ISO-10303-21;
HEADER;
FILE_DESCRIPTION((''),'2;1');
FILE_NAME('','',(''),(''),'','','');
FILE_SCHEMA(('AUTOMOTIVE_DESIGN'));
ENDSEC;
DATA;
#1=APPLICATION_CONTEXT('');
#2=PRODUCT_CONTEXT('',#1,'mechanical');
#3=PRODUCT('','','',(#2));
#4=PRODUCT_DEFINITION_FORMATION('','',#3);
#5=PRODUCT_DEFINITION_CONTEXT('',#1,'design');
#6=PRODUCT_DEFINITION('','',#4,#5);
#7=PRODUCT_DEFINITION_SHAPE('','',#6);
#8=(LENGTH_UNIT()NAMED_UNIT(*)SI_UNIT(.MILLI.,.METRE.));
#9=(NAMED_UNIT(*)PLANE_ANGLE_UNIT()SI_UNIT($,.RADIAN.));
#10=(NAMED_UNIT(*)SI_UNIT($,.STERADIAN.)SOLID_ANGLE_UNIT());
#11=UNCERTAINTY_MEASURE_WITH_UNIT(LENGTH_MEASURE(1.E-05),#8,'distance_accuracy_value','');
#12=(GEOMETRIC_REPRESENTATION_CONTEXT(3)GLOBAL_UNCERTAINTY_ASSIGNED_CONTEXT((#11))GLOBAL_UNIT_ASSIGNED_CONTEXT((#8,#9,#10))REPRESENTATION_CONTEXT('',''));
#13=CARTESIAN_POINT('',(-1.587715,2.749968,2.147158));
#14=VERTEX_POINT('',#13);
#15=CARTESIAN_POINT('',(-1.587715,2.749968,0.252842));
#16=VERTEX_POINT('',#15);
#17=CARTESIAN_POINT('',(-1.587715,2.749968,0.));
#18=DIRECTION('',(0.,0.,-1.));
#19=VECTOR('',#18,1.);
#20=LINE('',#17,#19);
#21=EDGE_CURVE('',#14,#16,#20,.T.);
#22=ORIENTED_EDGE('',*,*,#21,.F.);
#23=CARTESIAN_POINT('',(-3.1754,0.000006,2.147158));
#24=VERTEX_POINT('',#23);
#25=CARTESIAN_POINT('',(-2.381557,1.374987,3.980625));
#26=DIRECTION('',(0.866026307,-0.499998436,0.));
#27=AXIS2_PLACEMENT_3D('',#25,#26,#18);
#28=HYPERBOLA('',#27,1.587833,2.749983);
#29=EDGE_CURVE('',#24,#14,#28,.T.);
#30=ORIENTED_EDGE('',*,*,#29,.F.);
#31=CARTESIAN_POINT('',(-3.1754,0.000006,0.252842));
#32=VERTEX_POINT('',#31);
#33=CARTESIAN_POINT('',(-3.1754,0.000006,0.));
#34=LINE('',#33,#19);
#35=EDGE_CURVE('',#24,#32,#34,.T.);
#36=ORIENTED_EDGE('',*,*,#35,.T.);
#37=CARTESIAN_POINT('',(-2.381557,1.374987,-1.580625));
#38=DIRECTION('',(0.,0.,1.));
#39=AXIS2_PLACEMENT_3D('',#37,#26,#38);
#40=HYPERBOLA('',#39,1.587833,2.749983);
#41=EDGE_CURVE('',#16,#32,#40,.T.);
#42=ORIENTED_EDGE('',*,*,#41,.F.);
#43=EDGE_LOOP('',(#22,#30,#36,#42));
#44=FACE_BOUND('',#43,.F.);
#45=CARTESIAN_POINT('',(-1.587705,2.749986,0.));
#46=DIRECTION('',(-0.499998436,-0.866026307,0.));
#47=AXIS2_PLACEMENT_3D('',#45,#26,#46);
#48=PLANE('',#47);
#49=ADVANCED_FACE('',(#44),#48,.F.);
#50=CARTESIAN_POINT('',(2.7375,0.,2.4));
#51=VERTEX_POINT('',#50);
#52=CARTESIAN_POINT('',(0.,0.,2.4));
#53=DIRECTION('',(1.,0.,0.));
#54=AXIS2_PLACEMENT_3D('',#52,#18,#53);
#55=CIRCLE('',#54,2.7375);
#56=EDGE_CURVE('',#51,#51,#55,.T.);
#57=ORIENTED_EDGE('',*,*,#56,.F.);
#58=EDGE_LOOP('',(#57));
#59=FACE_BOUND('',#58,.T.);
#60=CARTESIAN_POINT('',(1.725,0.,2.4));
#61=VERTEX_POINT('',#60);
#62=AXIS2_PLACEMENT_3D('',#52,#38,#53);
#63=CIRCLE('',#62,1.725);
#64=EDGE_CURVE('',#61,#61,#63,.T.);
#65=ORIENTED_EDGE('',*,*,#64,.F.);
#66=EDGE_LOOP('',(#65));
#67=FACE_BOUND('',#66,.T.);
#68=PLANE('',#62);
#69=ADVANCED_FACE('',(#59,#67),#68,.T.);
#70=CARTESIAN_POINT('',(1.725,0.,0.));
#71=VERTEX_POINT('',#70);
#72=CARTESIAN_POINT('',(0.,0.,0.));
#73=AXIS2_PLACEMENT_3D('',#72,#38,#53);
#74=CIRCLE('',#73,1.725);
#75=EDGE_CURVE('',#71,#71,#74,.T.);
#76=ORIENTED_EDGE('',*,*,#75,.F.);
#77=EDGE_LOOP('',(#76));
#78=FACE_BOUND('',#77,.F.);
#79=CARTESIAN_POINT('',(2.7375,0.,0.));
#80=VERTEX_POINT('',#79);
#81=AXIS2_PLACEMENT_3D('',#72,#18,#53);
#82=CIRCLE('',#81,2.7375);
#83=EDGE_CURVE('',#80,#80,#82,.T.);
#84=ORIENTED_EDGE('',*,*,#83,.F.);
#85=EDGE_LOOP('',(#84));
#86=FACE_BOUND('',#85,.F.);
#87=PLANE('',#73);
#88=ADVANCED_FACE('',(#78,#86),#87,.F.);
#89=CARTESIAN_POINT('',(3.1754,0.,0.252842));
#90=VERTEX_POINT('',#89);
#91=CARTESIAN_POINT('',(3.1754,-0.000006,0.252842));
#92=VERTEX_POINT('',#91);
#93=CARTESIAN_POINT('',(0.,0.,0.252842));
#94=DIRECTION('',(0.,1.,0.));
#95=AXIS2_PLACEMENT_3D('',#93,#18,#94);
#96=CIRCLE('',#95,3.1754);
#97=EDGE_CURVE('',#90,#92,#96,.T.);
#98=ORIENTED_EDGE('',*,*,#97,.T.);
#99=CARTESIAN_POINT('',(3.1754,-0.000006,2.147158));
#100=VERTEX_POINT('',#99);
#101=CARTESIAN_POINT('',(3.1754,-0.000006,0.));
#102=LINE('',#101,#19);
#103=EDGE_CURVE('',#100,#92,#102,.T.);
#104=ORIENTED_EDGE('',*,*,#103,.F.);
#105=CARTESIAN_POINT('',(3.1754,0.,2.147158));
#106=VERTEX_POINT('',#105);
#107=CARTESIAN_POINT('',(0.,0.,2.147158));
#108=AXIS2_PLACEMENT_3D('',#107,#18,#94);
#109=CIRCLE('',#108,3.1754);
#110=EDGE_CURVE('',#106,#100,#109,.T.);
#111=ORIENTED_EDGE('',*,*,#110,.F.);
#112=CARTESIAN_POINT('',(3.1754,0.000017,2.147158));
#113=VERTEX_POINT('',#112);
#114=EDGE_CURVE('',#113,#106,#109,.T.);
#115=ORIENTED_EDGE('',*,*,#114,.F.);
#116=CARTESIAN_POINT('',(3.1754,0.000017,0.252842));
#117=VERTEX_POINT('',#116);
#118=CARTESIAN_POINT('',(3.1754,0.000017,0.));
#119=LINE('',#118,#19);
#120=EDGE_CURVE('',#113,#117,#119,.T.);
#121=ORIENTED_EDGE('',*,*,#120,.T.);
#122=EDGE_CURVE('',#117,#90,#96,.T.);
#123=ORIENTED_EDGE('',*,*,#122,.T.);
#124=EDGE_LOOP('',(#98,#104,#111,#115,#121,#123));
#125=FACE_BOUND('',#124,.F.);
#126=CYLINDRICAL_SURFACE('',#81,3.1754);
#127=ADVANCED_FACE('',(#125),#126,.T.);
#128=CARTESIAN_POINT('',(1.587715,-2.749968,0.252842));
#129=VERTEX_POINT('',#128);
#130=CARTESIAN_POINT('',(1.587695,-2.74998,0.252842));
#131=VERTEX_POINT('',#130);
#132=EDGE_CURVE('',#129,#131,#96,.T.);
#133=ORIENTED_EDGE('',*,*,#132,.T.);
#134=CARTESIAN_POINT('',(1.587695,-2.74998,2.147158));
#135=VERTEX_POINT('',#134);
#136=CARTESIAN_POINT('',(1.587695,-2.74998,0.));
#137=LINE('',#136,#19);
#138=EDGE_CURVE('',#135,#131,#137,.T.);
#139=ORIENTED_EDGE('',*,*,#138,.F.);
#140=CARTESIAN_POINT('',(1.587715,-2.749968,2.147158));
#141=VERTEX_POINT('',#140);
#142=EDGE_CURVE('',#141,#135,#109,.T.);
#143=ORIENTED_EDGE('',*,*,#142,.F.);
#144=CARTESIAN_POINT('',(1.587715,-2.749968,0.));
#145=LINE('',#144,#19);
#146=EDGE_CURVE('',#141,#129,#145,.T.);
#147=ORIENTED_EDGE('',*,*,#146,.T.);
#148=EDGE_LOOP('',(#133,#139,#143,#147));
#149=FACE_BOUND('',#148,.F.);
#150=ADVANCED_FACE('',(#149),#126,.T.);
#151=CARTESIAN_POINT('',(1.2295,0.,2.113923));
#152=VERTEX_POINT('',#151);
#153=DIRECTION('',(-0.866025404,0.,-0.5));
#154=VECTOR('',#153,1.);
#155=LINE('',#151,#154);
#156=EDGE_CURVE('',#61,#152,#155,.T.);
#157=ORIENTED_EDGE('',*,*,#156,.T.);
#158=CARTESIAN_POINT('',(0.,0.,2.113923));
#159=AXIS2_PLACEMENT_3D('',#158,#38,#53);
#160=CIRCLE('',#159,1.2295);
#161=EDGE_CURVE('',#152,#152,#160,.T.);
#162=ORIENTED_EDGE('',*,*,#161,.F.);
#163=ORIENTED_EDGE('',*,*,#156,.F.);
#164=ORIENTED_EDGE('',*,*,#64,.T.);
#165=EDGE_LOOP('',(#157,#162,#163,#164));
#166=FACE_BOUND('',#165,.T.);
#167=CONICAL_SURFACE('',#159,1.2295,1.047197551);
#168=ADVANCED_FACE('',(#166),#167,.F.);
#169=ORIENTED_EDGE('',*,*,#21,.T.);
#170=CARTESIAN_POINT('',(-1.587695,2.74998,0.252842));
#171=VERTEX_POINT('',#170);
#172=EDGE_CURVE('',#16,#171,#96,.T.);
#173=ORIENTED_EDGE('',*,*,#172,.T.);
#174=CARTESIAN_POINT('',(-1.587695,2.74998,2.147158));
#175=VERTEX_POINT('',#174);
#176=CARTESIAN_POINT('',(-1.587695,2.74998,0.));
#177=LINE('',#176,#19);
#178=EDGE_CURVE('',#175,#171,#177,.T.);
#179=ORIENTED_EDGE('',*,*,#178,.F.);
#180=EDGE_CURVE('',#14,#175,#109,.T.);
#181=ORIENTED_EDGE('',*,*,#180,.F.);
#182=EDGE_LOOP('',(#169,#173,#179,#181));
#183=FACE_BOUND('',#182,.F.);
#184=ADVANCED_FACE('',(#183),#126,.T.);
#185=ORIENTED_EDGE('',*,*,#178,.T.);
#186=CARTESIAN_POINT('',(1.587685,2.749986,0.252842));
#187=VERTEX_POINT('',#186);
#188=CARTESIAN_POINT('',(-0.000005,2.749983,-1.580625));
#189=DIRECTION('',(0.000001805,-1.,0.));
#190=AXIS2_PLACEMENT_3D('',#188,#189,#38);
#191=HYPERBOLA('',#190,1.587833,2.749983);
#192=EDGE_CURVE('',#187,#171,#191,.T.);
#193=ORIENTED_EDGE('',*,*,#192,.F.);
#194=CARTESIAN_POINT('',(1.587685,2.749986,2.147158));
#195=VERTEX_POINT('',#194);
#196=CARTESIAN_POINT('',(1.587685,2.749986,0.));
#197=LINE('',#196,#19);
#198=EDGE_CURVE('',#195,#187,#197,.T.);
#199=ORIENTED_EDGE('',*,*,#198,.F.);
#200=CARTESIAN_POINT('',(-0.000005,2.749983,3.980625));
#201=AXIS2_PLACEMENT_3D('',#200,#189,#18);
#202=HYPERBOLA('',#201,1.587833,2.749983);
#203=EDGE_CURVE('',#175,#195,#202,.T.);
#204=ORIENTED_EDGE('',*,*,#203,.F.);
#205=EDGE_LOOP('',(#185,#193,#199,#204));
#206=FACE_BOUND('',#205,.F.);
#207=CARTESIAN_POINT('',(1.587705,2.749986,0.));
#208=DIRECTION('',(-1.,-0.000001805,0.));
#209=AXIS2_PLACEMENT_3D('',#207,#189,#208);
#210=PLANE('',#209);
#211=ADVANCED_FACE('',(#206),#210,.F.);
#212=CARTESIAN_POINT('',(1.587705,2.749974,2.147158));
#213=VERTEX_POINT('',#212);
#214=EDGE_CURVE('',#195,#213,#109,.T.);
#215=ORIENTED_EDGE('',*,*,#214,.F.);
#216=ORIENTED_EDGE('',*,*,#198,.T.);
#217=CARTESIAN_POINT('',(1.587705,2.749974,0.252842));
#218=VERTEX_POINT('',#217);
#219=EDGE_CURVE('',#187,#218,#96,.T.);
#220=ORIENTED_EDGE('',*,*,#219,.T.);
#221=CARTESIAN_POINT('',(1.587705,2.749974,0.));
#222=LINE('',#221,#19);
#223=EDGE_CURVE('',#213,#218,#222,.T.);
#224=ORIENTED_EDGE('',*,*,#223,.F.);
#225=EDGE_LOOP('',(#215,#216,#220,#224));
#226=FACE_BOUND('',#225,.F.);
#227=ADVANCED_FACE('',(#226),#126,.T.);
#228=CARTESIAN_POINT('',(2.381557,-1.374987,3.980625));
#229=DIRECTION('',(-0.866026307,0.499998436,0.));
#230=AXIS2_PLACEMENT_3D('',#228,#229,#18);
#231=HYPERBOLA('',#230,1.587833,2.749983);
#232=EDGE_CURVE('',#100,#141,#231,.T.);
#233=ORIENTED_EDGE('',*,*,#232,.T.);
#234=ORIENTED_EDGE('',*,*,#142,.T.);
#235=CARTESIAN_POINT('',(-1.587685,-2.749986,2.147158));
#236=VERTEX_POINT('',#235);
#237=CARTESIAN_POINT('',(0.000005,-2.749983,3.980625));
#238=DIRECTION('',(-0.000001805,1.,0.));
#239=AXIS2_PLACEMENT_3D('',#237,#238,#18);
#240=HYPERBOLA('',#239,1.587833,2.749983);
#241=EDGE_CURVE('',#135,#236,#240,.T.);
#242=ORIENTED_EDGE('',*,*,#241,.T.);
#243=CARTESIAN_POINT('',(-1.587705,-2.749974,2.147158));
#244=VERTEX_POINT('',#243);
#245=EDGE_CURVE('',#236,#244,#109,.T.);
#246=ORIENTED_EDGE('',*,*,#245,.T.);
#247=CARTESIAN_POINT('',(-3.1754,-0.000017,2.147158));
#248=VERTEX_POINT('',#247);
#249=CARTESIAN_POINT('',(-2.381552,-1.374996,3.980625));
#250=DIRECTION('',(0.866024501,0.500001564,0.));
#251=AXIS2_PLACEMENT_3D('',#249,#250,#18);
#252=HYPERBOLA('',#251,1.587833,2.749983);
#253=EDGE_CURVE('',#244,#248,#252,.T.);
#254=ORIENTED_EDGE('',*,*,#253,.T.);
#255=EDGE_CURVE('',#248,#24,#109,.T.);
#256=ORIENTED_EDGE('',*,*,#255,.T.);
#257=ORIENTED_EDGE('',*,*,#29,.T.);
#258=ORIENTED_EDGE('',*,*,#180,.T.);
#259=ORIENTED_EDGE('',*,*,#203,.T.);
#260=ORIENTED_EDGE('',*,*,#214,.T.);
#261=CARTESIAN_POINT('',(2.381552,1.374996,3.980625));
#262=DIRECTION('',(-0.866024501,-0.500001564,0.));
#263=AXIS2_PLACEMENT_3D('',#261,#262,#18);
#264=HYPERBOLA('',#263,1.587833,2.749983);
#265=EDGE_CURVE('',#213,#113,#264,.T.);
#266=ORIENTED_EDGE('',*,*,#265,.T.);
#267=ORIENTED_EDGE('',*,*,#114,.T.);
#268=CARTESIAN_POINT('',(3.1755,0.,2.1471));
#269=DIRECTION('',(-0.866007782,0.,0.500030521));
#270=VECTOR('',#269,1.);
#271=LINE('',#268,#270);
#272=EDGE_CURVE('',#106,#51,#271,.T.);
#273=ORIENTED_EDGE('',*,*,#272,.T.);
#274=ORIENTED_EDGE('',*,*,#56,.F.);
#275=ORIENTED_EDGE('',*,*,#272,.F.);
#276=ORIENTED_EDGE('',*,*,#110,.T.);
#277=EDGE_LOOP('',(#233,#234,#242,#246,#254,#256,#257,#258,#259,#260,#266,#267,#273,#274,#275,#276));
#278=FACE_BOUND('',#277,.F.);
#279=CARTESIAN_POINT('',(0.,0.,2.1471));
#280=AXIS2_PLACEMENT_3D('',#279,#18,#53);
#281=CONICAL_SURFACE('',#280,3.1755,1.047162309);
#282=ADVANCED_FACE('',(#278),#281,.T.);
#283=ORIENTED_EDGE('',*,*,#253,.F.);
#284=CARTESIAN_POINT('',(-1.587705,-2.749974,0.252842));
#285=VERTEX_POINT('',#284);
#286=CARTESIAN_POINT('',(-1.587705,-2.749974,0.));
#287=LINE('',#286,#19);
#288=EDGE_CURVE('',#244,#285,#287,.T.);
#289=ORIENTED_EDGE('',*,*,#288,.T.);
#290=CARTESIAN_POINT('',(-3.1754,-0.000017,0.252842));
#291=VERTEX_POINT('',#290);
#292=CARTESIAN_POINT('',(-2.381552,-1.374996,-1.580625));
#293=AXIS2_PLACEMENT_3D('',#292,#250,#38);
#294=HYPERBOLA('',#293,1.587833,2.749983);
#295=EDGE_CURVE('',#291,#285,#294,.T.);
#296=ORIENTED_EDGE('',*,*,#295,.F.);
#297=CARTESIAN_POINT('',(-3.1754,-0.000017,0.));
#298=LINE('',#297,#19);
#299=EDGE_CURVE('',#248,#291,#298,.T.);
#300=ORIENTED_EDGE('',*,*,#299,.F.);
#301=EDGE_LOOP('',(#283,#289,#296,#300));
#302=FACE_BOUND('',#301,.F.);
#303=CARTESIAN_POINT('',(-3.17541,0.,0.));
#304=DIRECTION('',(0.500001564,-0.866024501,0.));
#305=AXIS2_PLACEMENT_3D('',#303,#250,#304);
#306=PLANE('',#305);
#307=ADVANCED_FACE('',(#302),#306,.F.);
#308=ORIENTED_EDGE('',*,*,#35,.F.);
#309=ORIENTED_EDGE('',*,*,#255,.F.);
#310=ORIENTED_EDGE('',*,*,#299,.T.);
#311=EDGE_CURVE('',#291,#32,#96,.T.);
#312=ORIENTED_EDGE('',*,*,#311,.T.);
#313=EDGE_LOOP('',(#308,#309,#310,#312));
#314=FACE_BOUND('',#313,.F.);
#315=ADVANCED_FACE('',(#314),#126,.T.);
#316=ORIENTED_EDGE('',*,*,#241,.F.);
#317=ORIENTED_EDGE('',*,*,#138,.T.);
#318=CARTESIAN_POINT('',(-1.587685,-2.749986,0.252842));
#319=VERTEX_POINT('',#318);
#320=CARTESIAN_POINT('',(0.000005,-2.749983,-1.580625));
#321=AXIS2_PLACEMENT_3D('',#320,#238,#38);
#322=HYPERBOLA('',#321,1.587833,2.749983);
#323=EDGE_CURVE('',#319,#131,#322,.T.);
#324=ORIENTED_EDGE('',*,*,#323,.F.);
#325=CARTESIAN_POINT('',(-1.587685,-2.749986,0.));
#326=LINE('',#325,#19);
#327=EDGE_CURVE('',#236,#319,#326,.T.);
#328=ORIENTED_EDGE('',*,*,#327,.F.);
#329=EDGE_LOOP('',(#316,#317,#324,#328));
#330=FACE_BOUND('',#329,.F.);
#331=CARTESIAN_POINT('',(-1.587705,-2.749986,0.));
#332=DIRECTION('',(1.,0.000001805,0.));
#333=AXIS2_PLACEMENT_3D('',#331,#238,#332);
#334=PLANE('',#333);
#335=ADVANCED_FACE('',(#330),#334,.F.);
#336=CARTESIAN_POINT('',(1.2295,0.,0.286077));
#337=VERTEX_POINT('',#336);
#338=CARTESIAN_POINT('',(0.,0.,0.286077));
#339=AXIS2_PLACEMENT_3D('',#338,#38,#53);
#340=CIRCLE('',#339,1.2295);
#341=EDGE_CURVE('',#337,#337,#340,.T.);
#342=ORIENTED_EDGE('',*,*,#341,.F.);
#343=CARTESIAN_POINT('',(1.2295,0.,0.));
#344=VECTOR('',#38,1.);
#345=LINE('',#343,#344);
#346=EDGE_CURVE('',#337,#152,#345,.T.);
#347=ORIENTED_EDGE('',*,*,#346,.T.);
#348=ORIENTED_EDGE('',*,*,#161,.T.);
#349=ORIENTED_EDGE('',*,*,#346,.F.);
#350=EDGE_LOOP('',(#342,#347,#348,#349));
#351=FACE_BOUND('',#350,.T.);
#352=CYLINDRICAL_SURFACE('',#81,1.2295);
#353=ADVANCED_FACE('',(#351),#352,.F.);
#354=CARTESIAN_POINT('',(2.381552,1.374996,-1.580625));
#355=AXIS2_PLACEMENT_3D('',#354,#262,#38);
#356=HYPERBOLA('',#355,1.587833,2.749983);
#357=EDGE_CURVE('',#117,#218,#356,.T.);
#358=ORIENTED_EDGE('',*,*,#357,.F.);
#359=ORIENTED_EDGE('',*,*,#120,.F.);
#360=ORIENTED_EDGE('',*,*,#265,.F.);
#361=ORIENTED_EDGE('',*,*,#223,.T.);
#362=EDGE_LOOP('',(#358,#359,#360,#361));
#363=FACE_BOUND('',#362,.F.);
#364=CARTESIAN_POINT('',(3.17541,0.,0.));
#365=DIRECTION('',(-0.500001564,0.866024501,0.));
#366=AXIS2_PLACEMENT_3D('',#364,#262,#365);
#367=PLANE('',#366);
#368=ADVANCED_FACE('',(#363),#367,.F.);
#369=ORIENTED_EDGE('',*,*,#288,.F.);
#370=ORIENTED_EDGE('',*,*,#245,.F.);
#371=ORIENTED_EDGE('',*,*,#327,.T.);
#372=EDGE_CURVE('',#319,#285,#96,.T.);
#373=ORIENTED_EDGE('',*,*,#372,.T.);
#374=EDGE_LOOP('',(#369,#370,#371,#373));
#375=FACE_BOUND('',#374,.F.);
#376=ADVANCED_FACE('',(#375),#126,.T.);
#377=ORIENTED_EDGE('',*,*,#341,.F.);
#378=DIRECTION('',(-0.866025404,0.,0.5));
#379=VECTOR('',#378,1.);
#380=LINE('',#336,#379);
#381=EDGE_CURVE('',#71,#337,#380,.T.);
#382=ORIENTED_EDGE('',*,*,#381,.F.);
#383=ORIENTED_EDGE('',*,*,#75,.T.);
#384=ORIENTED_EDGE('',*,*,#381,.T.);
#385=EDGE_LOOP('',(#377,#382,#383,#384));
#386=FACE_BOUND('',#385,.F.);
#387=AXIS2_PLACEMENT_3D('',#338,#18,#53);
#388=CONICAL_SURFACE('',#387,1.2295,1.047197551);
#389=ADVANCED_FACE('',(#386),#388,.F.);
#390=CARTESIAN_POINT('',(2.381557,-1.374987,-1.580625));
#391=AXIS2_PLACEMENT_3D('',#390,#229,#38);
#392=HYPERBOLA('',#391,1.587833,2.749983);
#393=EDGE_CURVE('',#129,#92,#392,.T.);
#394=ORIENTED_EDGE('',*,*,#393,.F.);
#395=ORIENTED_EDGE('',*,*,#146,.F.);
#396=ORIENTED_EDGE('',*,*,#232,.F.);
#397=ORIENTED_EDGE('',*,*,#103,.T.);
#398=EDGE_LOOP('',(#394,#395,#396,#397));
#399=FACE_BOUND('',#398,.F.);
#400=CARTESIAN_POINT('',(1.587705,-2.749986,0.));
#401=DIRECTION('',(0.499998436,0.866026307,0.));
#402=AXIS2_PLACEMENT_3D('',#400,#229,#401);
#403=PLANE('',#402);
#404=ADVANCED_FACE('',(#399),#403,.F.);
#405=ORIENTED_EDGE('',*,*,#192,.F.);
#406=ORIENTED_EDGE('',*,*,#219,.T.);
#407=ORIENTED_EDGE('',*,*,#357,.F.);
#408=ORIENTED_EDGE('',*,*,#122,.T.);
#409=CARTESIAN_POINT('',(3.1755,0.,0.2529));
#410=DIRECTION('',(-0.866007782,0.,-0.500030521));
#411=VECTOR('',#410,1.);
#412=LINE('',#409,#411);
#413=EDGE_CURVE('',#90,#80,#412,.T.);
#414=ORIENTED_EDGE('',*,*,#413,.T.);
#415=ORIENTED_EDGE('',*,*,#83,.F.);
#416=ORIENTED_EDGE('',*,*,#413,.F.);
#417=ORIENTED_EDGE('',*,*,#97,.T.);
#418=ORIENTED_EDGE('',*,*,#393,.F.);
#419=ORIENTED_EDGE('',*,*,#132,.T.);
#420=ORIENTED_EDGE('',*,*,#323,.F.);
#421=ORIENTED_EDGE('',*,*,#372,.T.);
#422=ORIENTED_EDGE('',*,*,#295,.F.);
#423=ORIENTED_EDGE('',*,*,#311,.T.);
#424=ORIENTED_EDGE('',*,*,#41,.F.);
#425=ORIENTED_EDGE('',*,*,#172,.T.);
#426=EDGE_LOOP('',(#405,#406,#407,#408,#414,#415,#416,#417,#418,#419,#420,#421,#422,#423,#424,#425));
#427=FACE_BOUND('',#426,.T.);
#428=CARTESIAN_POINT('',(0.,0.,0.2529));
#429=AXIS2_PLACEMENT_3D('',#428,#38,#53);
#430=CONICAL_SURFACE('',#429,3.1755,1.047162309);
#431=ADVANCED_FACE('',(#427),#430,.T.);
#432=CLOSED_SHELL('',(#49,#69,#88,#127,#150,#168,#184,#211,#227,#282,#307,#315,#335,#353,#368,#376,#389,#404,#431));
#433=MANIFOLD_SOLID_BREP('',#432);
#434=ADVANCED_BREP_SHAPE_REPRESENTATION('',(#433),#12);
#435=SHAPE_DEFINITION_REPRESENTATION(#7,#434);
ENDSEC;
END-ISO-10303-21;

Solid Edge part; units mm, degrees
sketch "Sketch1" plane through (0, 0, 0) normal (0, 0, 1) x (1, 0, 0)
  circle A0 centre (0, 0) radius 1.2295
  circle A1 centre (0, 0) radius 3.1754
  dimension "D1" = 2.75
  dimension "D2" = 2.459
extrude "Protrusion1" add sketch "Sketch1" along normal blind 2.4
sketch "Sketch2" plane through (0, 0, 0) normal (0, 0, 1) x (1, 0, 0)
  line L0 (3.1754, 0) -> (1.5877, 2.75)
  arc A0 (1.5877, 2.75) -> (3.1754, 0) centre (0, 0) cw
  dimension "D1" = 2.75
extrude "ExtrudedCutout_1" cut sketch "Sketch2" along normal blind 2.4
pattern_circular "Pattern1" count 6 over 360 about axis through (0, 0, 0) along (0, 0, -1) of "ExtrudedCutout_1"
cosmetic_thread "Thread_1" size "M3" thread depth 2.4
sketch "Sketch3" plane through (0, 0, 0) normal (0, -1, 0) x (1, 0, 0)
  line L0 (3.1755, 0.2529) -> (2.7375, 0)
  line L1 (2.7375, 0) -> (3.1755, 0)
  line L2 (3.1755, 0) -> (3.1755, 0.2529)
  line L3 (2.7375, 2.4) -> (3.1755, 2.4)
  line L4 (3.1755, 2.4) -> (3.1755, 2.1471)
  line L5 (3.1755, 2.1471) -> (2.7375, 2.4)
  dimension "D1" = 2.4
  dimension "D2" = 2.7375
  dimension "D3" = 3.1755
revolve "RevolvedCutout_1" cut sketch "Sketch3" angle 360 about axis through (0, 0, 8.4) along (0, 0, -1)
chamfer "Chamfer_1" distance 0.4955 angle 30 1 edges at (-1.2295, 0, 0) measured on face at (-1.8798, -1.7702, 0)
chamfer "Chamfer_2" distance 0.4955 angle 30 1 edges at (-1.2295, 0, 2.4) measured on face at (-1.8798, -1.7702, 2.4)
properties material "Steel"
